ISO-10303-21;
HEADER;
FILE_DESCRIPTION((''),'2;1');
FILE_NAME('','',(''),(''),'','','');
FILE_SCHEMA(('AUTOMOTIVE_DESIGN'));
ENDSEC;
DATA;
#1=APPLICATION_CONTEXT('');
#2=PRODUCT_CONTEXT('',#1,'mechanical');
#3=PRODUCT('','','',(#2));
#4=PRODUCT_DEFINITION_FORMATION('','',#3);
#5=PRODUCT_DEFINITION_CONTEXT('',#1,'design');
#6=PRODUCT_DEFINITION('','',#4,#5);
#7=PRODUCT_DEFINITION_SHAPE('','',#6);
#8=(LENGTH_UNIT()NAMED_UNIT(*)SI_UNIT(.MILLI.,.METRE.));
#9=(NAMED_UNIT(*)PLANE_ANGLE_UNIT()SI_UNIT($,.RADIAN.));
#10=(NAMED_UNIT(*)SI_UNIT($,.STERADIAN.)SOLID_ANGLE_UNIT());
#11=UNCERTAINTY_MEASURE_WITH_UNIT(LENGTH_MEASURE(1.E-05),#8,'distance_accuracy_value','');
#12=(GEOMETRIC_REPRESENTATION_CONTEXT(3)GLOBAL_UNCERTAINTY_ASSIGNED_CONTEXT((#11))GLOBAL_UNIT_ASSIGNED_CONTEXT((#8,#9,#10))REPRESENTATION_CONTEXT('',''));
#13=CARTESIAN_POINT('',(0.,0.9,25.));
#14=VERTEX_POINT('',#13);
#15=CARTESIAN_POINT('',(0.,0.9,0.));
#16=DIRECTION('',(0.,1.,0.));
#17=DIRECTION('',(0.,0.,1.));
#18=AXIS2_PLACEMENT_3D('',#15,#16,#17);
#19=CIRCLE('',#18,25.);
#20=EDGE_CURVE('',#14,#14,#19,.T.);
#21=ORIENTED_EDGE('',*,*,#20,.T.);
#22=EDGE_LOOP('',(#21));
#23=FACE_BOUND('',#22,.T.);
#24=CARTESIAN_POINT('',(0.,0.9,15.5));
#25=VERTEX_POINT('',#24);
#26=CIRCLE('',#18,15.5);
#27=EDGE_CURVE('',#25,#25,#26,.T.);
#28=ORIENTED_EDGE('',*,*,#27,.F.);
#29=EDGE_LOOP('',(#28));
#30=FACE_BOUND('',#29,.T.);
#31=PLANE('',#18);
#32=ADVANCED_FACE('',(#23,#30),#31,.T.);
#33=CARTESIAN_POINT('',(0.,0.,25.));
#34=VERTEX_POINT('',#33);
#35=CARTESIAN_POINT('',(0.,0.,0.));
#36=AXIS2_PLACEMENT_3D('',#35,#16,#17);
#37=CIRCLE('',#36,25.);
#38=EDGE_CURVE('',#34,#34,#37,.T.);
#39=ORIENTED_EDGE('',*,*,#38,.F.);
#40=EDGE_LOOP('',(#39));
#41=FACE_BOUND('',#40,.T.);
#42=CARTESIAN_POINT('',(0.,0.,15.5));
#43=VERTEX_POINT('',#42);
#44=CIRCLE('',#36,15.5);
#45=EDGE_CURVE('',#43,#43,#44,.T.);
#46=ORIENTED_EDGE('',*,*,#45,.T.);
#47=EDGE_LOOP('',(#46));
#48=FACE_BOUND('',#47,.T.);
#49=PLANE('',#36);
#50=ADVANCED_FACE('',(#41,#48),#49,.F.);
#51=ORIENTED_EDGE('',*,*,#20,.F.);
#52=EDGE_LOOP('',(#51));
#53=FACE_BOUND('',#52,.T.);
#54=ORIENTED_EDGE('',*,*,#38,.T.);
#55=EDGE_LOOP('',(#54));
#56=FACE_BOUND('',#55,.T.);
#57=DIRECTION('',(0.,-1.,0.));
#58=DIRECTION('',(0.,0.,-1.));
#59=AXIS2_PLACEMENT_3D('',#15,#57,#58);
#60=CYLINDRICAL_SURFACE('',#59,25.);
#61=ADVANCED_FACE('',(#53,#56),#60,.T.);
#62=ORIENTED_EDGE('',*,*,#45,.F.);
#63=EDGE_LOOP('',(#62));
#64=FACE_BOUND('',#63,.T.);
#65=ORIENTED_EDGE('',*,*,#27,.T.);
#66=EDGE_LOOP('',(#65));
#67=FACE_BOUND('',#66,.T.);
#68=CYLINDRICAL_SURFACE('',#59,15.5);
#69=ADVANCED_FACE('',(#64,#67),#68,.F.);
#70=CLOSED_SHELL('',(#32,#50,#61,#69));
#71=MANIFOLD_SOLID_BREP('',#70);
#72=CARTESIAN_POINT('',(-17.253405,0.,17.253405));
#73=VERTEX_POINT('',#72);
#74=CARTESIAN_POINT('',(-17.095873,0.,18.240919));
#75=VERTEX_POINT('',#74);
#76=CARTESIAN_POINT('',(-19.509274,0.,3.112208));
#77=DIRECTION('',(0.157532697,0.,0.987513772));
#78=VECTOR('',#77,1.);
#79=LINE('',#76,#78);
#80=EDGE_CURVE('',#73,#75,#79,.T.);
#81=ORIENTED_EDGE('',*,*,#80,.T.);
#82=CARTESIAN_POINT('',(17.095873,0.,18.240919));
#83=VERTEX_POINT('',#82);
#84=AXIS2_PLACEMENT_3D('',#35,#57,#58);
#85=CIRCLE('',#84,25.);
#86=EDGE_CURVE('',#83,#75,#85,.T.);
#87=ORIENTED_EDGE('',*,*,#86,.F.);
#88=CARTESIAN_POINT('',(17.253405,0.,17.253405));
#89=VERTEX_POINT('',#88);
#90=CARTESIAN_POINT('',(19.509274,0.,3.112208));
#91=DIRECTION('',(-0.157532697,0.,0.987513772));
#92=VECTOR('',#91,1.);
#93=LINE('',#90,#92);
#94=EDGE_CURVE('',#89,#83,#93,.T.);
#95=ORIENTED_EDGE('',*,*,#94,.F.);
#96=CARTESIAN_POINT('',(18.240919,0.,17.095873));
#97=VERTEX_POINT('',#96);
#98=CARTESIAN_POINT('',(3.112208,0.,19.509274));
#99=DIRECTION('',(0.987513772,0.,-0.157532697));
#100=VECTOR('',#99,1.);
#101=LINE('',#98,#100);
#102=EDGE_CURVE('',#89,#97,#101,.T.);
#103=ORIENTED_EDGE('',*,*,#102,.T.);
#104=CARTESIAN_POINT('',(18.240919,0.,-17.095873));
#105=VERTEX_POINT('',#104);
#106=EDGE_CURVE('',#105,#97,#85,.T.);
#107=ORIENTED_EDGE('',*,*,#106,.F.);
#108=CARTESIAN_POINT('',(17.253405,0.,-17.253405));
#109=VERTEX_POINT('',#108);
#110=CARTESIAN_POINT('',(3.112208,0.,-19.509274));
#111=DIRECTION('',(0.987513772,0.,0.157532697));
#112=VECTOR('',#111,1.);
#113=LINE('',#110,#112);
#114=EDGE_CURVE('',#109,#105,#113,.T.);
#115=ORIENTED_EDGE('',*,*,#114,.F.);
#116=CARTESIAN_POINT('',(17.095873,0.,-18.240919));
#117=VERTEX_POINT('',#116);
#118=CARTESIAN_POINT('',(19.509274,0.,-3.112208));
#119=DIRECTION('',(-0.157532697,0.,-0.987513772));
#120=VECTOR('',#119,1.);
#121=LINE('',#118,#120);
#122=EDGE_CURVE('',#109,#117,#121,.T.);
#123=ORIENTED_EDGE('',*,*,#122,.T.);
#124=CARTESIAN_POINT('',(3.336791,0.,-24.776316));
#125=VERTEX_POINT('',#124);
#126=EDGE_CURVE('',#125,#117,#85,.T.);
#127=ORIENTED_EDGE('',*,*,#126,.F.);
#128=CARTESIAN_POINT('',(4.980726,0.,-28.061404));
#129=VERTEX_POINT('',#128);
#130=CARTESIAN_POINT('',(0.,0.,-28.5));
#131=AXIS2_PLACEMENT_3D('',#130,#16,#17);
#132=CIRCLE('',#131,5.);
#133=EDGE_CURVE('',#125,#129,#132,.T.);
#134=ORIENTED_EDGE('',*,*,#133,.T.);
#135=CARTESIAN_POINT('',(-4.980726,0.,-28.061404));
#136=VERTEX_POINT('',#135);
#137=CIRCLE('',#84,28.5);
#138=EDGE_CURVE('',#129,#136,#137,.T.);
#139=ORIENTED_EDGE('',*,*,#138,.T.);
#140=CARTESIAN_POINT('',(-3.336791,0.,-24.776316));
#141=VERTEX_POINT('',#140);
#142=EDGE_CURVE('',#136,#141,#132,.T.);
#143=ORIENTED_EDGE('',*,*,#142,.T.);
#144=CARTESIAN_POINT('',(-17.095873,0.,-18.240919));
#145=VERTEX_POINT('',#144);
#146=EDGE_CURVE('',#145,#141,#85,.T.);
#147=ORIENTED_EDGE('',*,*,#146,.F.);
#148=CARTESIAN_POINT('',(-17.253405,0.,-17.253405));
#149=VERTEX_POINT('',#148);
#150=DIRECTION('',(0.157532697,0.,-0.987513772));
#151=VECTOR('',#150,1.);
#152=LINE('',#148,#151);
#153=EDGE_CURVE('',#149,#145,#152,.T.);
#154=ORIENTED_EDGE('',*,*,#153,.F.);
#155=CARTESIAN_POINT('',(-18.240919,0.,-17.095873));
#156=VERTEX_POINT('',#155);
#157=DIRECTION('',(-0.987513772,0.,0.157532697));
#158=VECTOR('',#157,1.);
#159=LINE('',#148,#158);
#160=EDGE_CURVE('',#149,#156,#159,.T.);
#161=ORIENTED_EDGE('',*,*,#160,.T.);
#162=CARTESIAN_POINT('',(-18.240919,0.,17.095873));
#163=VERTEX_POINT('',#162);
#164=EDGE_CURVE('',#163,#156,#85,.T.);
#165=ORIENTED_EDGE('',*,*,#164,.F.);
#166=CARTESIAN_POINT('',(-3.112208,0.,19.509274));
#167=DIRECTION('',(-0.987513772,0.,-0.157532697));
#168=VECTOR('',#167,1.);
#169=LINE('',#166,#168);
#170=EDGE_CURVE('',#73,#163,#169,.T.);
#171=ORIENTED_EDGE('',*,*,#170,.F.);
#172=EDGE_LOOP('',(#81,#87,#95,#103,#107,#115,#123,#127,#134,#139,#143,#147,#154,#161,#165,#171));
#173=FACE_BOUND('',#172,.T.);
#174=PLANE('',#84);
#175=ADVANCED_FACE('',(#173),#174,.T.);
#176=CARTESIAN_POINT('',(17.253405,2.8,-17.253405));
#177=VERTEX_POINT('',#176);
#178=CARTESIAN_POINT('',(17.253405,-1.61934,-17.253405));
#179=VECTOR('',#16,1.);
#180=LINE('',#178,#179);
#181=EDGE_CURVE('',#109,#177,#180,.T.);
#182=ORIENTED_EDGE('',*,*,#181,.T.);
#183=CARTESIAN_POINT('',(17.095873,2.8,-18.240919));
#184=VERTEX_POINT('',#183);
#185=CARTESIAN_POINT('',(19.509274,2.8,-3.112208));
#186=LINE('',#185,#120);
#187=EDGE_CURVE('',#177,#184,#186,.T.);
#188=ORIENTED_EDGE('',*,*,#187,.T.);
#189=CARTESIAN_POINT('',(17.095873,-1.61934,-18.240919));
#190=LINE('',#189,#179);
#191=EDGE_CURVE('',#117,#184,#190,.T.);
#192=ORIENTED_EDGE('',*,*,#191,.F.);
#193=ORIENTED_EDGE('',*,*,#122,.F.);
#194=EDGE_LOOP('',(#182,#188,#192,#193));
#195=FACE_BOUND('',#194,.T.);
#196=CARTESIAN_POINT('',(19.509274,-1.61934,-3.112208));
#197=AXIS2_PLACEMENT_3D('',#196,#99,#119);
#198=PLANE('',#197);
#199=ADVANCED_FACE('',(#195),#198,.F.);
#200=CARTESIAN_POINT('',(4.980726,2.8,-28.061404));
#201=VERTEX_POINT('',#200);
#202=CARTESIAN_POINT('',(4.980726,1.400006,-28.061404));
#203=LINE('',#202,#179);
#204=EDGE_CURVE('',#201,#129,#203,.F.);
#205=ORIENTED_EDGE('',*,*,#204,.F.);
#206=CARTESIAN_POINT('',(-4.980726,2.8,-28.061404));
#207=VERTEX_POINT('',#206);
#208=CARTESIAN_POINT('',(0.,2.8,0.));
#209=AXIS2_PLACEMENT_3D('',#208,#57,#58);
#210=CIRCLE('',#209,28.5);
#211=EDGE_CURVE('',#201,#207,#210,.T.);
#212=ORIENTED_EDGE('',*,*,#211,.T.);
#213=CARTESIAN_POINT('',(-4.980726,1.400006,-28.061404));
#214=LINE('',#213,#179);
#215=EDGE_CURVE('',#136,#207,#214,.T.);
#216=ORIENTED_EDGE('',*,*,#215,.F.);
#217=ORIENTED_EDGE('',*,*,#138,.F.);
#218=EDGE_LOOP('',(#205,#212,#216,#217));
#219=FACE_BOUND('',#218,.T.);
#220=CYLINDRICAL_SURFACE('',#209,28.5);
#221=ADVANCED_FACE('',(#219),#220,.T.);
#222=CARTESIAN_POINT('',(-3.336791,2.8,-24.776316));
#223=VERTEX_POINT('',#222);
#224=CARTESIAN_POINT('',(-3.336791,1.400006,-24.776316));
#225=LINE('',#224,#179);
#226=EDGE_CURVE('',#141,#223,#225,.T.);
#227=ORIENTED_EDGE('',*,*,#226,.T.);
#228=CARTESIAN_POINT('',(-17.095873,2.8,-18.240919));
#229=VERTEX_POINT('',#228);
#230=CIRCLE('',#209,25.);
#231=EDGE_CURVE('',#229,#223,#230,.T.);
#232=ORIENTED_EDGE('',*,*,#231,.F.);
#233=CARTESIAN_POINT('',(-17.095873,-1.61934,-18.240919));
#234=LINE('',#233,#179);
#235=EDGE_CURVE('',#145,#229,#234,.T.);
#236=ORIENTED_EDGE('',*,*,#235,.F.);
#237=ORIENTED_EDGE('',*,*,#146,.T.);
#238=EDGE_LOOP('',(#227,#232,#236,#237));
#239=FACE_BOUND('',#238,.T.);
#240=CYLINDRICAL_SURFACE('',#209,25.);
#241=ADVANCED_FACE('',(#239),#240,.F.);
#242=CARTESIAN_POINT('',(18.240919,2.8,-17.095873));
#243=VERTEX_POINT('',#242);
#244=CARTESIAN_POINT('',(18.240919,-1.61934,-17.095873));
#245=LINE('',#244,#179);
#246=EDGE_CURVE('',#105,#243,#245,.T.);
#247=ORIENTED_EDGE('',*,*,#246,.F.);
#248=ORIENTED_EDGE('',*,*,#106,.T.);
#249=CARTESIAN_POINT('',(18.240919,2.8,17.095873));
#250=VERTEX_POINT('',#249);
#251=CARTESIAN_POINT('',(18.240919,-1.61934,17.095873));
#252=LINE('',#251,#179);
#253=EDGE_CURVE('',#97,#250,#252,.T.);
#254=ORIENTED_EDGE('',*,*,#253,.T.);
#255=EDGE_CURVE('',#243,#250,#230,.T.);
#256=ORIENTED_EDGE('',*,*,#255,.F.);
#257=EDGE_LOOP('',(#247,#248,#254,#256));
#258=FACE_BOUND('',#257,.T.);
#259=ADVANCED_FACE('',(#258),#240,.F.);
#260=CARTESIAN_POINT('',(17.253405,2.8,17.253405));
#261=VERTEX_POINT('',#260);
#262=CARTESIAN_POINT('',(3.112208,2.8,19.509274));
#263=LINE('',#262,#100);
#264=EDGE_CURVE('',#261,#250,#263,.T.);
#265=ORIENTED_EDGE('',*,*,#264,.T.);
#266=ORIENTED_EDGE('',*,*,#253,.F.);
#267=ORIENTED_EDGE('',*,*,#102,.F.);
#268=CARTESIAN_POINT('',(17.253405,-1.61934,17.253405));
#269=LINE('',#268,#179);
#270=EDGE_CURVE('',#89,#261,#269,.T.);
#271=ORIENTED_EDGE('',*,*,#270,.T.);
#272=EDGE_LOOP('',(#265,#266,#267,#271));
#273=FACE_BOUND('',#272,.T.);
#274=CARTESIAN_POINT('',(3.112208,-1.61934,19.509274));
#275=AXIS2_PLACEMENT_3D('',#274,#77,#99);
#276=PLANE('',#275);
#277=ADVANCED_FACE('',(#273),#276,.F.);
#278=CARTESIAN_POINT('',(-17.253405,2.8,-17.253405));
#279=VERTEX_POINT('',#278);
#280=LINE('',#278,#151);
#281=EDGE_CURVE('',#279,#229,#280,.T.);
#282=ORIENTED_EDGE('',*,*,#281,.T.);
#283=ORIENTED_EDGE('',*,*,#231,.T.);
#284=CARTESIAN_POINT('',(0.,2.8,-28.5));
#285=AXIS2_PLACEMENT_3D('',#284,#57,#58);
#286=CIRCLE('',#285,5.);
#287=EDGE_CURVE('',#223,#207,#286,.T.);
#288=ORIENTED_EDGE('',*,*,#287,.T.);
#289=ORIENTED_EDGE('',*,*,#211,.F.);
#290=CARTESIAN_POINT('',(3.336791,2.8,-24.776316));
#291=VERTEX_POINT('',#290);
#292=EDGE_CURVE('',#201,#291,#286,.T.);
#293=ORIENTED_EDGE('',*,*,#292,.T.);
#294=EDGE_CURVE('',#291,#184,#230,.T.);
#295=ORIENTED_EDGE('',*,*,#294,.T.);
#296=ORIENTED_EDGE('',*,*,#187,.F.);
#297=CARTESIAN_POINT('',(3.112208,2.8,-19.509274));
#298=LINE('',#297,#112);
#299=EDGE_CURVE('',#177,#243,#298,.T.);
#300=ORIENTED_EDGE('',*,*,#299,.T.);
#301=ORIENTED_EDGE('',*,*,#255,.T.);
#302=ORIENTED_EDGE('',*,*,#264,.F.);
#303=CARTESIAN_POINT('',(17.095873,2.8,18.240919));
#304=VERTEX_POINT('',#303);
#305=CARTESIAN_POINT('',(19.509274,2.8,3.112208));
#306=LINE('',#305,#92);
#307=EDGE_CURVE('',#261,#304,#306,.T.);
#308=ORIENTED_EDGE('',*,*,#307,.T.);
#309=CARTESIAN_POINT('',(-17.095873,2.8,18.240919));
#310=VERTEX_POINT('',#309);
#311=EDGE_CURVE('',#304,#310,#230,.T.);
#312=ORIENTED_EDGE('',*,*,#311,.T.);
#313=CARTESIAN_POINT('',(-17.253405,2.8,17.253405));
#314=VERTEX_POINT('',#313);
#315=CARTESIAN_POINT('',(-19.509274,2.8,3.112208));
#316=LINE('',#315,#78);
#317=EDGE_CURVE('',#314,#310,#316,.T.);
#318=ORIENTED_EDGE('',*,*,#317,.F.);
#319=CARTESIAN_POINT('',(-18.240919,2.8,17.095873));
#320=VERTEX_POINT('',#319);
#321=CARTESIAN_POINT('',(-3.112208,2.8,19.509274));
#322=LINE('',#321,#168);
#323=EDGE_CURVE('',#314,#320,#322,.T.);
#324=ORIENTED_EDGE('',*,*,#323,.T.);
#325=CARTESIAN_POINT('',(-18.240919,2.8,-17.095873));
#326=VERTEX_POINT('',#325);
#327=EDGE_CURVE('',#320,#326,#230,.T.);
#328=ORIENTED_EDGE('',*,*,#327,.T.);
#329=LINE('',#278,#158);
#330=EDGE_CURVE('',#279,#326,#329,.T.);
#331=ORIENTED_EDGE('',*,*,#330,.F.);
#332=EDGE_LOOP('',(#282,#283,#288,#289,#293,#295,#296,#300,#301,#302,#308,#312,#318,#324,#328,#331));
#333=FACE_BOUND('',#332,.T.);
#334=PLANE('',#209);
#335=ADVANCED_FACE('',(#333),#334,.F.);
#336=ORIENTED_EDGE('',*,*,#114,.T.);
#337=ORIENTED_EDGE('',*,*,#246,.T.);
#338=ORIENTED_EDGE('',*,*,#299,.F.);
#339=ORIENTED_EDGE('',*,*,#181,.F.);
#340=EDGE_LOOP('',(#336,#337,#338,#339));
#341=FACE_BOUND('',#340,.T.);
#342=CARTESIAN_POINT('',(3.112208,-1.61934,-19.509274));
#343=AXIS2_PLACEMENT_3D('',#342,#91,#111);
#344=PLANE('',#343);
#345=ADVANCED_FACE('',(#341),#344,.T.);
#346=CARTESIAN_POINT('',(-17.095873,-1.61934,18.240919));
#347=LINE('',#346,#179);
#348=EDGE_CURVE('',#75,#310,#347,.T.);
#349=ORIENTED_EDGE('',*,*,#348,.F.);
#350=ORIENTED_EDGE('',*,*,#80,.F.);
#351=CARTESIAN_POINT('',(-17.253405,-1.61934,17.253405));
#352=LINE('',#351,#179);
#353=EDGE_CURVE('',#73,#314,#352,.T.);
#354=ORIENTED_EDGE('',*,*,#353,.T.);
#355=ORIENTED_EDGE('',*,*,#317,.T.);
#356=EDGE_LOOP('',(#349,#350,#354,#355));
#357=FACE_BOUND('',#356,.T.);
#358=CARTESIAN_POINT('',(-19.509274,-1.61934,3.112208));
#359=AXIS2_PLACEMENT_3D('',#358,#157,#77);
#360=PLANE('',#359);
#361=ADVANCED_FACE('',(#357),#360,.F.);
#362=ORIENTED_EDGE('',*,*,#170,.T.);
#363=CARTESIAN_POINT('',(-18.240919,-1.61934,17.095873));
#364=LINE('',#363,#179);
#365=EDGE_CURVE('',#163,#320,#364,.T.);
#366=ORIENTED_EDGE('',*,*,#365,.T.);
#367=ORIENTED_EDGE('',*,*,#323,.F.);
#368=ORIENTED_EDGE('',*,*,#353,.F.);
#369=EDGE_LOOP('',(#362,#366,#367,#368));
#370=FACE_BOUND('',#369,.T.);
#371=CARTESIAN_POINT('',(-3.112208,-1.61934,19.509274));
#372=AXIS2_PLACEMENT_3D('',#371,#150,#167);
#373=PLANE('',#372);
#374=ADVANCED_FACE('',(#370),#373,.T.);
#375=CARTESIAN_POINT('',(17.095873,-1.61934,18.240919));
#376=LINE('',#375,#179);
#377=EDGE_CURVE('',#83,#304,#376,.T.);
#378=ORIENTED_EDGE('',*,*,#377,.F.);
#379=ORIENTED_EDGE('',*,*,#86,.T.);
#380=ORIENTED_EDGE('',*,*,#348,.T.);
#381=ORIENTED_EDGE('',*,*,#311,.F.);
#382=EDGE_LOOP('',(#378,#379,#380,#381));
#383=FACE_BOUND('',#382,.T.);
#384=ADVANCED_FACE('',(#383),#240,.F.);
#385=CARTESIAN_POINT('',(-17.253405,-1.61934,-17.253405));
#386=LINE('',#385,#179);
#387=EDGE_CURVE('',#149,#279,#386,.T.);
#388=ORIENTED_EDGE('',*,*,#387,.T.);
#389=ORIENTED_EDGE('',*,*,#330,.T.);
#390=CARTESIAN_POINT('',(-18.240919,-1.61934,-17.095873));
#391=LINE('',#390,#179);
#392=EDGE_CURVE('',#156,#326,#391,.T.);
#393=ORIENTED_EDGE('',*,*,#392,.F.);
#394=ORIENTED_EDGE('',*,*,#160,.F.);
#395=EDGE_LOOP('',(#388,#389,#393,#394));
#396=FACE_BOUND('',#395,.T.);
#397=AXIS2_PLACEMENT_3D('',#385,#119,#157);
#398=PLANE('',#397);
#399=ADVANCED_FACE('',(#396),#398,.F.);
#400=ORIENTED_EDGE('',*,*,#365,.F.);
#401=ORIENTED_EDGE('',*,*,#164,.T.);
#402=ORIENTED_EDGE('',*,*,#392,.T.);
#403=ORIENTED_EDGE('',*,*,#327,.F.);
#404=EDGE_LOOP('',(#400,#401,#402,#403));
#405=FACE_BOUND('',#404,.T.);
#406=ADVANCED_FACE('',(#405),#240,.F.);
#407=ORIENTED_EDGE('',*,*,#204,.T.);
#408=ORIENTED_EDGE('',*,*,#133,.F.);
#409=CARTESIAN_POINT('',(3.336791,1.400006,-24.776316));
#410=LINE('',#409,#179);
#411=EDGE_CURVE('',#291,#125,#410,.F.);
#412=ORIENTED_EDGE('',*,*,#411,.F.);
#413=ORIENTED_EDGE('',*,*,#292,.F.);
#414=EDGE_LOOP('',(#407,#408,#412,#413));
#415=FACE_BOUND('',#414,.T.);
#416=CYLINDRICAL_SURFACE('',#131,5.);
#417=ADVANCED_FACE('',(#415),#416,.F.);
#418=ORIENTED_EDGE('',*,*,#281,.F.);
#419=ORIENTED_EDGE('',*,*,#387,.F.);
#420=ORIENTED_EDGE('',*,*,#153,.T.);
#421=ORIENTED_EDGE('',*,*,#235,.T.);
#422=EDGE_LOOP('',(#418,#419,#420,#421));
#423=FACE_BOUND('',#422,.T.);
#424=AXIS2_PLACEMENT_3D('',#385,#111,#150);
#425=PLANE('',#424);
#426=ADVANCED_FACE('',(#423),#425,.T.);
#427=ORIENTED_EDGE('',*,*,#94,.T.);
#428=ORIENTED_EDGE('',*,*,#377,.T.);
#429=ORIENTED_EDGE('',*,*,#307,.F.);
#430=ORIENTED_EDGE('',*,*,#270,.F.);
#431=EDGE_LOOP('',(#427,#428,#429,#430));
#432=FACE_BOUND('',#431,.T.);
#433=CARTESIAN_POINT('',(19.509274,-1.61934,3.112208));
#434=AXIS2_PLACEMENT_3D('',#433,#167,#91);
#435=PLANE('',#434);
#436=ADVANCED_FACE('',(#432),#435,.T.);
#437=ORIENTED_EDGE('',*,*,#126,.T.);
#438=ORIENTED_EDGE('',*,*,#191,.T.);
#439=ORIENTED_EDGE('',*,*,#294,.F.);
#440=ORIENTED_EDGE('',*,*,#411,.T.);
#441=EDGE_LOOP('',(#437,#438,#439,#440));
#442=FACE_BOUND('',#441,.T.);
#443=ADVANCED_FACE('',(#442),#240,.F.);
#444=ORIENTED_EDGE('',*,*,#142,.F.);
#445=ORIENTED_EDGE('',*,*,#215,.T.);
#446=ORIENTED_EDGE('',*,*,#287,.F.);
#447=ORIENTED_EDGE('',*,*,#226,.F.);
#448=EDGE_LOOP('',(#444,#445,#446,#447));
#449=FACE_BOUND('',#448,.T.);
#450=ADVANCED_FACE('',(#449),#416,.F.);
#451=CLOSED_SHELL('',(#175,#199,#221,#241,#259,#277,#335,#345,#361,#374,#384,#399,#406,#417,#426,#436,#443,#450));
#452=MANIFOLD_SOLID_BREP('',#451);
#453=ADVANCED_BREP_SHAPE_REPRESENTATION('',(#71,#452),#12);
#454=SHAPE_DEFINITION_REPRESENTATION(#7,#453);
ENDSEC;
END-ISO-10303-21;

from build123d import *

# Parameters (mm, degrees)
SKETCH1_R               = 25
SKETCH1_R_2             = 15.5
BOSS_EXTRUDE1_DEPTH     = 0.9
SKETCH2_R               = 28.5
SKETCH2_R_2             = 25
BOSS_EXTRUDE2_DEPTH     = 2.8
CUT_EXTRUDE1_DEPTH      = 41.402227661
CUT_EXTRUDE1_DEPTH_BACK = 41.402227661
SKETCH3_R               = 5
BOSS_EXTRUDE3_START     = -2.8
BOSS_EXTRUDE3_DEPTH     = 2.8


with BuildPart() as part:
    # Sketch1 → Boss-Extrude1 (new body)
    with BuildSketch(Plane(origin=(0, 0, 0), x_dir=(1, 0, 0), z_dir=(0, 1, 0))):
        with Locations(Location((0, 0, 0), (0, 0, 270))):
            Circle(SKETCH1_R)
        with Locations(Location((0, 0, 0), (0, 0, 270))):
            Circle(SKETCH1_R_2, mode=Mode.SUBTRACT)
    extrude(amount=BOSS_EXTRUDE1_DEPTH)


with BuildPart() as body_2:
    # Sketch2 → Boss-Extrude2 (new body)
    with BuildSketch(Plane.XZ):
        with Locations(Location((0, 0, 0), (0, 0, 270))):
            Circle(SKETCH2_R)
        with Locations(Location((0, 0, 0), (0, 0, 270))):
            Circle(SKETCH2_R_2, mode=Mode.SUBTRACT)
    extrude(amount=-BOSS_EXTRUDE2_DEPTH)

    # Sketch3 → Cut-Extrude1 (cut, two sides: drawn at the far end of the back side and taken through both)
    with BuildSketch(Plane(origin=(0, 2.8, 0), x_dir=(1, 0, 0), z_dir=(0, 1, 0)).offset(-CUT_EXTRUDE1_DEPTH_BACK)):
        with Locations((0, 28.5)):
            Circle(SKETCH3_R)
    extrude(amount=CUT_EXTRUDE1_DEPTH + CUT_EXTRUDE1_DEPTH_BACK, mode=Mode.SUBTRACT)

    # Sketch4 → Boss-Extrude3 (add)
    with BuildSketch(Plane(origin=(0, 2.8, 0), x_dir=(1, 0, 0), z_dir=(0, 1, 0)).offset(BOSS_EXTRUDE3_START)):
        with BuildLine():
            Line((17.253405461, 17.253405461), (18.240919233, 17.095872764))
            ThreePointArc((18.240919233, 17.095872764), (17.67766953, 17.67766953), (17.095872764, 18.240919233))
            Line((17.095872764, 18.240919233), (17.253405461, 17.253405461))
        make_face()
        with BuildLine():
            ThreePointArc((17.095872764, -18.240919233), (17.67766953, -17.67766953), (18.240919233, -17.095872764))
            Line((18.240919233, -17.095872764), (17.253405461, -17.253405461))
            Line((17.253405461, -17.253405461), (17.095872764, -18.240919233))
        make_face()
        with BuildLine():
            ThreePointArc((-18.240919233, -17.095872764), (-17.67766953, -17.67766953), (-17.095872764, -18.240919233))
            Line((-17.095872764, -18.240919233), (-17.253405461, -17.253405461))
            Line((-17.253405461, -17.253405461), (-18.240919233, -17.095872764))
        make_face()
        with BuildLine():
            Line((-17.253405461, 17.253405461), (-18.240919233, 17.095872764))
            ThreePointArc((-18.240919233, 17.095872764), (-17.67766953, 17.67766953), (-17.095872764, 18.240919233))
            Line((-17.095872764, 18.240919233), (-17.253405461, 17.253405461))
        make_face()
    extrude(amount=BOSS_EXTRUDE3_DEPTH)


solid = Compound([part.part, body_2.part])
